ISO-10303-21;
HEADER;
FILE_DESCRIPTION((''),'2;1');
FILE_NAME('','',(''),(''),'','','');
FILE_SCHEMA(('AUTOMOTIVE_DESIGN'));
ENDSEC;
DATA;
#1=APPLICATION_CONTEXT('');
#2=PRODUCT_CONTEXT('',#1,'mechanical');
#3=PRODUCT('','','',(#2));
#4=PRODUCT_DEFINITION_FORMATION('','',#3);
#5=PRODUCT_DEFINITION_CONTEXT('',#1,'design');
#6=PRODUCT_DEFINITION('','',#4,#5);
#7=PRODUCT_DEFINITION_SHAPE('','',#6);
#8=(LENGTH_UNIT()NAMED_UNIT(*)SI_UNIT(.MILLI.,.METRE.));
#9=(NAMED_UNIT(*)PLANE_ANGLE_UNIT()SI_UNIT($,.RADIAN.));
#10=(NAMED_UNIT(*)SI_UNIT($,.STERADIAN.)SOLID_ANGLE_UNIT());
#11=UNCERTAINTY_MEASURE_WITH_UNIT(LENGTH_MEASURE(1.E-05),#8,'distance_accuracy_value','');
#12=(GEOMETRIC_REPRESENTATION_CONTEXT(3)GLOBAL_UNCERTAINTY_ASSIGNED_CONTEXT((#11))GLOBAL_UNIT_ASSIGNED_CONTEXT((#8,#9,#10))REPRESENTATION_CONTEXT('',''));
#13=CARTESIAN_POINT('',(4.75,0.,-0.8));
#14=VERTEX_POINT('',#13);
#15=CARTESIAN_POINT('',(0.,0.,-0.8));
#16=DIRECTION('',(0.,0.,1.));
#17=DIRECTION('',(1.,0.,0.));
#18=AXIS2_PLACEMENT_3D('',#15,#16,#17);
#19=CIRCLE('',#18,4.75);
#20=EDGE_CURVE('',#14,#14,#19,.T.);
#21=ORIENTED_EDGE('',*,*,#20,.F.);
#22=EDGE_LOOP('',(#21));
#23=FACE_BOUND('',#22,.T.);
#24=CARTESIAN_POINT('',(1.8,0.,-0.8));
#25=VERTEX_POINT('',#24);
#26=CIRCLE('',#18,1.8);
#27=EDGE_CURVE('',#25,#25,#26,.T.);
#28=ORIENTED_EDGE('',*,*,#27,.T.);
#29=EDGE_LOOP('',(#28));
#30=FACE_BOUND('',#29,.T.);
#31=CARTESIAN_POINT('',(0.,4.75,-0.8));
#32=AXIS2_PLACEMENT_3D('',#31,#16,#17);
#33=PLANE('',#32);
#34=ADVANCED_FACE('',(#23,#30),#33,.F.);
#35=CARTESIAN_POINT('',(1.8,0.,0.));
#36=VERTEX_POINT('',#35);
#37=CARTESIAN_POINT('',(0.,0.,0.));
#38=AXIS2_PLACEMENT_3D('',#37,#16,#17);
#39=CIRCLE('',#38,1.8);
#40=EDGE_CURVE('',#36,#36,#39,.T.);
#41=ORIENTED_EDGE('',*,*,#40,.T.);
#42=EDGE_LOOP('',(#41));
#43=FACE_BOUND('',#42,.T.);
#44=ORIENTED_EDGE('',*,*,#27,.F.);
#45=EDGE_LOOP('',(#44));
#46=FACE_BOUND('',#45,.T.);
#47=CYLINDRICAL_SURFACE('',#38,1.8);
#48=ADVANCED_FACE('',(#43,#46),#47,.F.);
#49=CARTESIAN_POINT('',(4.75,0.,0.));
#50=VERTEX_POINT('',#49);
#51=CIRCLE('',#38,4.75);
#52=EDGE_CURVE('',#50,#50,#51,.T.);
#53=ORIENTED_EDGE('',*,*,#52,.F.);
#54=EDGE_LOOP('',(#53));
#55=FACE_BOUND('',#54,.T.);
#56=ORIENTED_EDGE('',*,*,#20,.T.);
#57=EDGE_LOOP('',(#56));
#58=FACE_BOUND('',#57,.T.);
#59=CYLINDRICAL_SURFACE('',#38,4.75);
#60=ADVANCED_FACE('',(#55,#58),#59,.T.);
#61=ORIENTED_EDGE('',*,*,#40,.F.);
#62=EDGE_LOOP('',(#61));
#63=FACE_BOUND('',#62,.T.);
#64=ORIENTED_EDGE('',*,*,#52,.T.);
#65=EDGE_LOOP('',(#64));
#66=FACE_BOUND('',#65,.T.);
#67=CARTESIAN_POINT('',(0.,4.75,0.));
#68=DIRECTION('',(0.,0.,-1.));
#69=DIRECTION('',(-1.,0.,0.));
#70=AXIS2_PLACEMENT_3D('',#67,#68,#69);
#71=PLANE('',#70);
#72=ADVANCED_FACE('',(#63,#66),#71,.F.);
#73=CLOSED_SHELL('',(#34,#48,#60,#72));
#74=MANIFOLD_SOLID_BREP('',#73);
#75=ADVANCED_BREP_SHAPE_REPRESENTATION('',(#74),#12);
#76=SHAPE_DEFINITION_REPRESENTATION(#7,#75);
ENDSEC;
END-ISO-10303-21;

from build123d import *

# Parameters (mm, degrees)
SKETCH1_W = 0.8
SKETCH1_H = 2.95


with BuildPart() as part:
    # Sketch1 → Revolve1 (revolve)
    with BuildSketch(Plane(origin=(0, 0, 0), x_dir=(0, 0, -1), z_dir=(1, 0, 0)), mode=Mode.PRIVATE) as revolve1_sk:
        with Locations((0.4, 3.275)):
            Rectangle(SKETCH1_W, SKETCH1_H)
    revolve(revolve1_sk.sketch.rotate(Axis((0, 0, 0), (0, 0, -1)), 90), axis=Axis((0, 0, 0), (0, 0, -1)))


solid = part.part
